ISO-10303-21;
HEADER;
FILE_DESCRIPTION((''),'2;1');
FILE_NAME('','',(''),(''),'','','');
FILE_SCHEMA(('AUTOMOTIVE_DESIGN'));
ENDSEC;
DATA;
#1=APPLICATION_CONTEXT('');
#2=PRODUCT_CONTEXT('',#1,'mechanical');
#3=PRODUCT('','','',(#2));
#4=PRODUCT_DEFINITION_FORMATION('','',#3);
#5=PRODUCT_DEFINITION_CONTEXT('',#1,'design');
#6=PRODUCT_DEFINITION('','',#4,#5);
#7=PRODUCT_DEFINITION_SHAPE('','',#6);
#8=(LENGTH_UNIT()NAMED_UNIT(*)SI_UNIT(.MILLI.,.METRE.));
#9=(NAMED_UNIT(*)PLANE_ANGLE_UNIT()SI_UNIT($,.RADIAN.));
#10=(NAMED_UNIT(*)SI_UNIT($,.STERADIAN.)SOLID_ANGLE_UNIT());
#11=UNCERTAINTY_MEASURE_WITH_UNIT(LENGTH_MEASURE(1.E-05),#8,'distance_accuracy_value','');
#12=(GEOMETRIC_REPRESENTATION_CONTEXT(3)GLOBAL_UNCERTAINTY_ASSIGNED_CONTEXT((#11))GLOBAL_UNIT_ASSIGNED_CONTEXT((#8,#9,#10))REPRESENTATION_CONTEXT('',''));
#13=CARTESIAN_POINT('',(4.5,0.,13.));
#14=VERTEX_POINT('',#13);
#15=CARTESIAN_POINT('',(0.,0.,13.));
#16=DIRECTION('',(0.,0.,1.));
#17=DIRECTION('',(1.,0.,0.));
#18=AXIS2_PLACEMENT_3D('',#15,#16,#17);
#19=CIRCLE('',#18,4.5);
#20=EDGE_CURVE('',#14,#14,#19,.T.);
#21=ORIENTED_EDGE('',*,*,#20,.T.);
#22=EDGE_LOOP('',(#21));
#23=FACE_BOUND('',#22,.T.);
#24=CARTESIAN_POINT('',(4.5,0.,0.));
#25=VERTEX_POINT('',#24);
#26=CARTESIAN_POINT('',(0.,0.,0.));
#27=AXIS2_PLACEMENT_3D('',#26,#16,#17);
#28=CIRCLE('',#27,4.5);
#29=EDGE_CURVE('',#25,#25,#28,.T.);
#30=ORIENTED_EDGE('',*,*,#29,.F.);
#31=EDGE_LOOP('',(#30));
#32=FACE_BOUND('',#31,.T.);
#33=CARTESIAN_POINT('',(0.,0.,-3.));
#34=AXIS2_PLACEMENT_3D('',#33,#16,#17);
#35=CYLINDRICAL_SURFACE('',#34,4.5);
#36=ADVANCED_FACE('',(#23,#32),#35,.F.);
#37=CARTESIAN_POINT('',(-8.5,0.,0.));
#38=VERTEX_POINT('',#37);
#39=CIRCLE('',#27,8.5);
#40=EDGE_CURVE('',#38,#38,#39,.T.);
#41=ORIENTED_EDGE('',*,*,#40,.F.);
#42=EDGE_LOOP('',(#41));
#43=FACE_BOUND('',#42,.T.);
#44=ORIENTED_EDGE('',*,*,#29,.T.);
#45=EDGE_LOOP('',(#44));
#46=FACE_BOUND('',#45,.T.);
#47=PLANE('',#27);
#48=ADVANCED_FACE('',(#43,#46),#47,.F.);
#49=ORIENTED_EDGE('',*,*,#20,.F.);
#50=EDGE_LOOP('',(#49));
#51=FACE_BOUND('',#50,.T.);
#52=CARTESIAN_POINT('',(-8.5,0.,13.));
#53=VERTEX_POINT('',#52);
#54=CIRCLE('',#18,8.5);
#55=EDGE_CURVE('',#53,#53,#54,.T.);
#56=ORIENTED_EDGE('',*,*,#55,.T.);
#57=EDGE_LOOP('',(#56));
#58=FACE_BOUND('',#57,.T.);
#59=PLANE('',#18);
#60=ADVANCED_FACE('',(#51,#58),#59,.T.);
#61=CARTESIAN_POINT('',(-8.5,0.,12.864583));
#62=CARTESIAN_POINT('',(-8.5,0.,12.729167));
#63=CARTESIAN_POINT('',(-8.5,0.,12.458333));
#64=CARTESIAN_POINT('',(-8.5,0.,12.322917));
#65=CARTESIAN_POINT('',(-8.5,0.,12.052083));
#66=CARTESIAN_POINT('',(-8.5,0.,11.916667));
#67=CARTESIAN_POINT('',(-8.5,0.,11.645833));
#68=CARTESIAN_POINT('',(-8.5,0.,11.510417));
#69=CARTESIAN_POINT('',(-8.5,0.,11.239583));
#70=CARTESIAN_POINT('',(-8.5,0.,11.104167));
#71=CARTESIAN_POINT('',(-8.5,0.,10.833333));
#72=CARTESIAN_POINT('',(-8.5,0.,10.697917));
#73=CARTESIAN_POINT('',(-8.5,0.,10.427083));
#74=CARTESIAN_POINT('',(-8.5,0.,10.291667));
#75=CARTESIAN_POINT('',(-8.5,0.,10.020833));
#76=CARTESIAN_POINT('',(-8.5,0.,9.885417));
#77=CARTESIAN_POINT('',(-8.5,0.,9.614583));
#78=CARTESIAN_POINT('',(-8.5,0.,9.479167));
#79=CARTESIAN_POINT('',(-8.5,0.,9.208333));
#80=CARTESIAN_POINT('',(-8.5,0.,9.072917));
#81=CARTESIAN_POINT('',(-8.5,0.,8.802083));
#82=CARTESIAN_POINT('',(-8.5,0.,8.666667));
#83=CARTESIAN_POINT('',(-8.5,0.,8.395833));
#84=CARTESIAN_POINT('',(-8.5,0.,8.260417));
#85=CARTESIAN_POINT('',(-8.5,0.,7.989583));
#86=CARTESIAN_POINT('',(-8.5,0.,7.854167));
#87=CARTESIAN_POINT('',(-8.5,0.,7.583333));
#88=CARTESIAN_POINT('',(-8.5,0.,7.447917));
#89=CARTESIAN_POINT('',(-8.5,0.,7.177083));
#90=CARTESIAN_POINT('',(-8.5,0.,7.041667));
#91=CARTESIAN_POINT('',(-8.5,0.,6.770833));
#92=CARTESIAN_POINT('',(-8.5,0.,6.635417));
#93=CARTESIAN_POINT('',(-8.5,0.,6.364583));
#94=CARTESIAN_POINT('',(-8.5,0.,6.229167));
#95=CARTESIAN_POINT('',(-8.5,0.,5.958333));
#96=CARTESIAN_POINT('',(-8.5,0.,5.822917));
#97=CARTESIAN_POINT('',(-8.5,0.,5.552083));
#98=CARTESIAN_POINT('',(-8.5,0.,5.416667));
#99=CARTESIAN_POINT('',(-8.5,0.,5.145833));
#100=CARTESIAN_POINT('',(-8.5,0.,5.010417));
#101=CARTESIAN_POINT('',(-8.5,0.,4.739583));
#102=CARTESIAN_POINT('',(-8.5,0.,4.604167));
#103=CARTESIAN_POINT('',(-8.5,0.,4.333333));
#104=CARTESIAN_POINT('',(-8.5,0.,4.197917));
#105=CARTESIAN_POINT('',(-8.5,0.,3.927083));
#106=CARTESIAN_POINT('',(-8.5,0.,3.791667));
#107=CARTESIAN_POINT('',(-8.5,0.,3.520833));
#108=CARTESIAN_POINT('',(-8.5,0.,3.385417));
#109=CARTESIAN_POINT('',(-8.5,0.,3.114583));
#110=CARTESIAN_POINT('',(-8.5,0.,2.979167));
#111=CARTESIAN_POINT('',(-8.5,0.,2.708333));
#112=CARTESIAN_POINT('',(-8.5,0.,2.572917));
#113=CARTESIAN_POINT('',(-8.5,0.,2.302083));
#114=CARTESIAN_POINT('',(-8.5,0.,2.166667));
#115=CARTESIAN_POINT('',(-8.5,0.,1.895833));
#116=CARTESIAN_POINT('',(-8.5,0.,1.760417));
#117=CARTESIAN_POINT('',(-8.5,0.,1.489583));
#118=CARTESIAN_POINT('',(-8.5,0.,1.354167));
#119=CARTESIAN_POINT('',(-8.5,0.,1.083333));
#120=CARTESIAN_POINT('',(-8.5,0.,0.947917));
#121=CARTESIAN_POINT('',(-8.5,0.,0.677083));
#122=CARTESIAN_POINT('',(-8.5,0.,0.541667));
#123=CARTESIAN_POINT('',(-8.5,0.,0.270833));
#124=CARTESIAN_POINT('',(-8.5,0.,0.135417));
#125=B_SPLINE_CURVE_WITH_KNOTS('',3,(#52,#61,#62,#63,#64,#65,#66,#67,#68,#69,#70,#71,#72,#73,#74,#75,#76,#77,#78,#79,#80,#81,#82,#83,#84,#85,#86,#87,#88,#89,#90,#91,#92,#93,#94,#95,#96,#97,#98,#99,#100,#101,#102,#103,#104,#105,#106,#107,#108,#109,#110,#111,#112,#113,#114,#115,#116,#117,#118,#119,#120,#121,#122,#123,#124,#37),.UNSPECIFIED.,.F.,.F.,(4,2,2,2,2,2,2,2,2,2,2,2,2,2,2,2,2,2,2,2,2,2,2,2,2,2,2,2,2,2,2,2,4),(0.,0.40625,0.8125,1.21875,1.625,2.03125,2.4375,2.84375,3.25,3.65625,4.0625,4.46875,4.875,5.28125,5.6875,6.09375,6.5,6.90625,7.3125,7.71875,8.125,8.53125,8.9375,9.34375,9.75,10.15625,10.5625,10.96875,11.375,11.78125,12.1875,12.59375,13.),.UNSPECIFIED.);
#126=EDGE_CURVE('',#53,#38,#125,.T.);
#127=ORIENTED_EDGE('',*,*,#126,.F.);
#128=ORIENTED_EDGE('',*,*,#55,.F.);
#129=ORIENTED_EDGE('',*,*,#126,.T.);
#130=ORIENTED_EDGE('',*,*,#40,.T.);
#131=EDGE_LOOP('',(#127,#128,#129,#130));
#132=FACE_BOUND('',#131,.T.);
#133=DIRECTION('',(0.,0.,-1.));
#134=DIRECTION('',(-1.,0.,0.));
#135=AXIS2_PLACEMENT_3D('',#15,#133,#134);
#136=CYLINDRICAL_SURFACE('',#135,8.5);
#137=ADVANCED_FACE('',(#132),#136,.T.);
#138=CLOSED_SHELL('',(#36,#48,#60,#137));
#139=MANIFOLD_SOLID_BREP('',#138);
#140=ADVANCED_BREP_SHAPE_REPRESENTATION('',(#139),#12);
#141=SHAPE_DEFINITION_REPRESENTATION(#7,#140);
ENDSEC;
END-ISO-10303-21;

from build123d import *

# Parameters (mm, degrees)
ESBO_O2_R                = 8.5
RESSALTO_EXTRUS_O1_DEPTH = 13
ESBO_O3_R                = 4.5
CORTE_EXTRUS_O1_DEPTH    = 16


with BuildPart() as part:
    # Esboço2 → Ressalto-extrusão1 (new body)
    with BuildSketch(Plane.XY):
        with Locations(Location((0, 0, 0), (0, 0, 180))):
            Circle(ESBO_O2_R)
    extrude(amount=RESSALTO_EXTRUS_O1_DEPTH)

    # Esboço3 → Corte-extrusão1 (cut)
    with BuildSketch(Plane.XY.offset(13)):
        Circle(ESBO_O3_R)
    extrude(amount=-CORTE_EXTRUS_O1_DEPTH, mode=Mode.SUBTRACT)


solid = part.part
